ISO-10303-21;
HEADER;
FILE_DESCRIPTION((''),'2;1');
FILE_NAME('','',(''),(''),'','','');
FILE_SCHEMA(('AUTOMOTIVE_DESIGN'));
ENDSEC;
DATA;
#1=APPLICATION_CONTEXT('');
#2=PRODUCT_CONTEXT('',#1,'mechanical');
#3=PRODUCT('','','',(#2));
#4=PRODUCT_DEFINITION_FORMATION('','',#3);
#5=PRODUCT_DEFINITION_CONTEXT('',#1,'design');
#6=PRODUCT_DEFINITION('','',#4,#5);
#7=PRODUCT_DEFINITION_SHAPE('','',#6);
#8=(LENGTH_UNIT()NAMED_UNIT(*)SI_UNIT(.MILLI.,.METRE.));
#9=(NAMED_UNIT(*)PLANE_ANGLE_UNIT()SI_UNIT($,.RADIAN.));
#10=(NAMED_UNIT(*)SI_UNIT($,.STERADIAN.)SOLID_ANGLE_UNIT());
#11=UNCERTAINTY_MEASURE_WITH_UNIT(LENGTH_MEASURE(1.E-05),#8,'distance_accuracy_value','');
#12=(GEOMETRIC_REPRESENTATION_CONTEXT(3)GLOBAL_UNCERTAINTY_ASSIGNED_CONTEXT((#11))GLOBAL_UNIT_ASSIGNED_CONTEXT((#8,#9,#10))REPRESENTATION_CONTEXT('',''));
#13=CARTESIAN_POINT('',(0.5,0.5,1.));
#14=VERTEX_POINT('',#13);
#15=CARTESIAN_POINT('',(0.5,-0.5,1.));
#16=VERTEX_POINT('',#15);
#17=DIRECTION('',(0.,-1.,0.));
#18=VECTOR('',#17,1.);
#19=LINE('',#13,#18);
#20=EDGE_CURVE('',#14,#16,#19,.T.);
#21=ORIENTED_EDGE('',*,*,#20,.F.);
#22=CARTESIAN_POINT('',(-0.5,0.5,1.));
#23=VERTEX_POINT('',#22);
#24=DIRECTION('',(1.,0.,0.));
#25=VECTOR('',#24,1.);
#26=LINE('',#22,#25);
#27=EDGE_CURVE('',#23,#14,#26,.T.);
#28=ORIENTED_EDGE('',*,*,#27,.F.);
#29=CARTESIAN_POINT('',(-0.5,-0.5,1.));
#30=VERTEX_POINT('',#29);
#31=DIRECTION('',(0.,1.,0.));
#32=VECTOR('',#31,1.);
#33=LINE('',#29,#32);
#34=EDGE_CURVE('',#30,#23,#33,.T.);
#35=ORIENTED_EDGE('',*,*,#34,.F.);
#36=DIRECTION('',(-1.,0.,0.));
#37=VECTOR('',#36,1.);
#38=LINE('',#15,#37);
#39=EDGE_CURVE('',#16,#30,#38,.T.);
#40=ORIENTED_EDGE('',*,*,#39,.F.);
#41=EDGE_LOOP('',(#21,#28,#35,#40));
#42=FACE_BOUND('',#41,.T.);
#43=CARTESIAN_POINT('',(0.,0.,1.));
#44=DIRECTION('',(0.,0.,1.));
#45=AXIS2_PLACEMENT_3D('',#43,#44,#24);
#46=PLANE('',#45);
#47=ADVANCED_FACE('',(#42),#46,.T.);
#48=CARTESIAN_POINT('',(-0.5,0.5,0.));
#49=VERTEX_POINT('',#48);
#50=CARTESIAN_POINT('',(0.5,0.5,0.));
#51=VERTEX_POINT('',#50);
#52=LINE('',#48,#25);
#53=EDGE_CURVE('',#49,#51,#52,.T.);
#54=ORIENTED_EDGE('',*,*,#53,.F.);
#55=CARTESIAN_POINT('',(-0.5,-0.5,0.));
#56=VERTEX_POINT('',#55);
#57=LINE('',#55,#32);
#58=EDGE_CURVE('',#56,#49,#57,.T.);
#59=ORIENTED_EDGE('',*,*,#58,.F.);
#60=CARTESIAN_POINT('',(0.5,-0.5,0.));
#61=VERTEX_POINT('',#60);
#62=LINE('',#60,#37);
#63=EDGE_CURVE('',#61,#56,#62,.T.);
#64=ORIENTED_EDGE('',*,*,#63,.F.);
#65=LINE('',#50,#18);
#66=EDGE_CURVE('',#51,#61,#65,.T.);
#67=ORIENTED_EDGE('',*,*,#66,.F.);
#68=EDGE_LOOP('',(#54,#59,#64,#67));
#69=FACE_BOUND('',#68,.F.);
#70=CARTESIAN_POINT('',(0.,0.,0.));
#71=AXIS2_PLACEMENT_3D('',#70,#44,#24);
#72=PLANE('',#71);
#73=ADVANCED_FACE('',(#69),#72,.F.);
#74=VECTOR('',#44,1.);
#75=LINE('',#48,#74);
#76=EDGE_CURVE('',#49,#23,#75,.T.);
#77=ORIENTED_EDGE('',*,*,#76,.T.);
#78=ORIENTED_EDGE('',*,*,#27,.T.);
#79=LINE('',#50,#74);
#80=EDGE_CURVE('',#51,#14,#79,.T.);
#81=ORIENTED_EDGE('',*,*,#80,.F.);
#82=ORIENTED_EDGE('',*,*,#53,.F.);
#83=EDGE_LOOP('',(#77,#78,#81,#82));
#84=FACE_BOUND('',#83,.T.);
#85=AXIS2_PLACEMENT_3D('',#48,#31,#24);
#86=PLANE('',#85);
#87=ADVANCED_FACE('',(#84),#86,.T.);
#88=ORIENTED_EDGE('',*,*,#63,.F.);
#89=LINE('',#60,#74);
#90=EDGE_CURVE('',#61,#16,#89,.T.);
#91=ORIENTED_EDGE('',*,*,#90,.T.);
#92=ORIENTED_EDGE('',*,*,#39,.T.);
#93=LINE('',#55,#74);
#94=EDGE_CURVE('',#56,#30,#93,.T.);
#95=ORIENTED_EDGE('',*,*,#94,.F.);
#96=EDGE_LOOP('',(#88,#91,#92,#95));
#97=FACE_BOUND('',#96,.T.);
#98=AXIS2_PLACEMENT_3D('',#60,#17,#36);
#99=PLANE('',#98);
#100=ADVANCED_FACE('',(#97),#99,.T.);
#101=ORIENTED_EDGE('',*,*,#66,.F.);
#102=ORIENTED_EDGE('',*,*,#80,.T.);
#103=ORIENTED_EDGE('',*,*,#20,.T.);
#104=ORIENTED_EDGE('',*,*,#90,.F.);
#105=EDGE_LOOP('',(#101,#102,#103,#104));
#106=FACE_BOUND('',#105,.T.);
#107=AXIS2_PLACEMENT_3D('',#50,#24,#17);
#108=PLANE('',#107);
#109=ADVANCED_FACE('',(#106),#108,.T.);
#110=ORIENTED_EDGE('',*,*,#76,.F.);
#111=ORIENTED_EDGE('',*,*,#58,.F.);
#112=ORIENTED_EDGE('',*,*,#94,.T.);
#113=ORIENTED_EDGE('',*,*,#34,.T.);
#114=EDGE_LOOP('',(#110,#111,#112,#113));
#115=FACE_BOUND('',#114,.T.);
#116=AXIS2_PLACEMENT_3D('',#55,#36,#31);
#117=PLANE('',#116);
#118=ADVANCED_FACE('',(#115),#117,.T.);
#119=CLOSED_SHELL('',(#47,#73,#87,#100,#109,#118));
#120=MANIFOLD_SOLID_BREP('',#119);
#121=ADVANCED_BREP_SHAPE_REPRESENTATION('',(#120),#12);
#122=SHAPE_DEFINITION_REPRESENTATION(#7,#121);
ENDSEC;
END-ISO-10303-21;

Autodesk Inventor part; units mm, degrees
ref_plane "YZ Plane" through (0, 0, 0) normal (1, 0, 0) x (0, 1, 0)
ref_plane "XZ Plane" through (0, 0, 0) normal (0, 1, 0) x (-1, 0, 0)
ref_plane "XY Plane" through (0, 0, 0) normal (0, 0, 1) x (1, 0, 0)
sketch "TP_SMALL, TP_253" plane through (0, 0, 0) normal (0, 0, 1) x (1, 0, 0)
  line L0 (-0.5, -0.5) -> (-0.5, 0.5)
  line L1 (-0.5, 0.5) -> (0.5, 0.5)
  line L2 (0.5, 0.5) -> (0.5, -0.5)
  line L3 (0.5, -0.5) -> (-0.5, -0.5)
extrude "Extrusion1" add sketch "TP_SMALL, TP_253" along normal blind 1
properties part number "TP"
